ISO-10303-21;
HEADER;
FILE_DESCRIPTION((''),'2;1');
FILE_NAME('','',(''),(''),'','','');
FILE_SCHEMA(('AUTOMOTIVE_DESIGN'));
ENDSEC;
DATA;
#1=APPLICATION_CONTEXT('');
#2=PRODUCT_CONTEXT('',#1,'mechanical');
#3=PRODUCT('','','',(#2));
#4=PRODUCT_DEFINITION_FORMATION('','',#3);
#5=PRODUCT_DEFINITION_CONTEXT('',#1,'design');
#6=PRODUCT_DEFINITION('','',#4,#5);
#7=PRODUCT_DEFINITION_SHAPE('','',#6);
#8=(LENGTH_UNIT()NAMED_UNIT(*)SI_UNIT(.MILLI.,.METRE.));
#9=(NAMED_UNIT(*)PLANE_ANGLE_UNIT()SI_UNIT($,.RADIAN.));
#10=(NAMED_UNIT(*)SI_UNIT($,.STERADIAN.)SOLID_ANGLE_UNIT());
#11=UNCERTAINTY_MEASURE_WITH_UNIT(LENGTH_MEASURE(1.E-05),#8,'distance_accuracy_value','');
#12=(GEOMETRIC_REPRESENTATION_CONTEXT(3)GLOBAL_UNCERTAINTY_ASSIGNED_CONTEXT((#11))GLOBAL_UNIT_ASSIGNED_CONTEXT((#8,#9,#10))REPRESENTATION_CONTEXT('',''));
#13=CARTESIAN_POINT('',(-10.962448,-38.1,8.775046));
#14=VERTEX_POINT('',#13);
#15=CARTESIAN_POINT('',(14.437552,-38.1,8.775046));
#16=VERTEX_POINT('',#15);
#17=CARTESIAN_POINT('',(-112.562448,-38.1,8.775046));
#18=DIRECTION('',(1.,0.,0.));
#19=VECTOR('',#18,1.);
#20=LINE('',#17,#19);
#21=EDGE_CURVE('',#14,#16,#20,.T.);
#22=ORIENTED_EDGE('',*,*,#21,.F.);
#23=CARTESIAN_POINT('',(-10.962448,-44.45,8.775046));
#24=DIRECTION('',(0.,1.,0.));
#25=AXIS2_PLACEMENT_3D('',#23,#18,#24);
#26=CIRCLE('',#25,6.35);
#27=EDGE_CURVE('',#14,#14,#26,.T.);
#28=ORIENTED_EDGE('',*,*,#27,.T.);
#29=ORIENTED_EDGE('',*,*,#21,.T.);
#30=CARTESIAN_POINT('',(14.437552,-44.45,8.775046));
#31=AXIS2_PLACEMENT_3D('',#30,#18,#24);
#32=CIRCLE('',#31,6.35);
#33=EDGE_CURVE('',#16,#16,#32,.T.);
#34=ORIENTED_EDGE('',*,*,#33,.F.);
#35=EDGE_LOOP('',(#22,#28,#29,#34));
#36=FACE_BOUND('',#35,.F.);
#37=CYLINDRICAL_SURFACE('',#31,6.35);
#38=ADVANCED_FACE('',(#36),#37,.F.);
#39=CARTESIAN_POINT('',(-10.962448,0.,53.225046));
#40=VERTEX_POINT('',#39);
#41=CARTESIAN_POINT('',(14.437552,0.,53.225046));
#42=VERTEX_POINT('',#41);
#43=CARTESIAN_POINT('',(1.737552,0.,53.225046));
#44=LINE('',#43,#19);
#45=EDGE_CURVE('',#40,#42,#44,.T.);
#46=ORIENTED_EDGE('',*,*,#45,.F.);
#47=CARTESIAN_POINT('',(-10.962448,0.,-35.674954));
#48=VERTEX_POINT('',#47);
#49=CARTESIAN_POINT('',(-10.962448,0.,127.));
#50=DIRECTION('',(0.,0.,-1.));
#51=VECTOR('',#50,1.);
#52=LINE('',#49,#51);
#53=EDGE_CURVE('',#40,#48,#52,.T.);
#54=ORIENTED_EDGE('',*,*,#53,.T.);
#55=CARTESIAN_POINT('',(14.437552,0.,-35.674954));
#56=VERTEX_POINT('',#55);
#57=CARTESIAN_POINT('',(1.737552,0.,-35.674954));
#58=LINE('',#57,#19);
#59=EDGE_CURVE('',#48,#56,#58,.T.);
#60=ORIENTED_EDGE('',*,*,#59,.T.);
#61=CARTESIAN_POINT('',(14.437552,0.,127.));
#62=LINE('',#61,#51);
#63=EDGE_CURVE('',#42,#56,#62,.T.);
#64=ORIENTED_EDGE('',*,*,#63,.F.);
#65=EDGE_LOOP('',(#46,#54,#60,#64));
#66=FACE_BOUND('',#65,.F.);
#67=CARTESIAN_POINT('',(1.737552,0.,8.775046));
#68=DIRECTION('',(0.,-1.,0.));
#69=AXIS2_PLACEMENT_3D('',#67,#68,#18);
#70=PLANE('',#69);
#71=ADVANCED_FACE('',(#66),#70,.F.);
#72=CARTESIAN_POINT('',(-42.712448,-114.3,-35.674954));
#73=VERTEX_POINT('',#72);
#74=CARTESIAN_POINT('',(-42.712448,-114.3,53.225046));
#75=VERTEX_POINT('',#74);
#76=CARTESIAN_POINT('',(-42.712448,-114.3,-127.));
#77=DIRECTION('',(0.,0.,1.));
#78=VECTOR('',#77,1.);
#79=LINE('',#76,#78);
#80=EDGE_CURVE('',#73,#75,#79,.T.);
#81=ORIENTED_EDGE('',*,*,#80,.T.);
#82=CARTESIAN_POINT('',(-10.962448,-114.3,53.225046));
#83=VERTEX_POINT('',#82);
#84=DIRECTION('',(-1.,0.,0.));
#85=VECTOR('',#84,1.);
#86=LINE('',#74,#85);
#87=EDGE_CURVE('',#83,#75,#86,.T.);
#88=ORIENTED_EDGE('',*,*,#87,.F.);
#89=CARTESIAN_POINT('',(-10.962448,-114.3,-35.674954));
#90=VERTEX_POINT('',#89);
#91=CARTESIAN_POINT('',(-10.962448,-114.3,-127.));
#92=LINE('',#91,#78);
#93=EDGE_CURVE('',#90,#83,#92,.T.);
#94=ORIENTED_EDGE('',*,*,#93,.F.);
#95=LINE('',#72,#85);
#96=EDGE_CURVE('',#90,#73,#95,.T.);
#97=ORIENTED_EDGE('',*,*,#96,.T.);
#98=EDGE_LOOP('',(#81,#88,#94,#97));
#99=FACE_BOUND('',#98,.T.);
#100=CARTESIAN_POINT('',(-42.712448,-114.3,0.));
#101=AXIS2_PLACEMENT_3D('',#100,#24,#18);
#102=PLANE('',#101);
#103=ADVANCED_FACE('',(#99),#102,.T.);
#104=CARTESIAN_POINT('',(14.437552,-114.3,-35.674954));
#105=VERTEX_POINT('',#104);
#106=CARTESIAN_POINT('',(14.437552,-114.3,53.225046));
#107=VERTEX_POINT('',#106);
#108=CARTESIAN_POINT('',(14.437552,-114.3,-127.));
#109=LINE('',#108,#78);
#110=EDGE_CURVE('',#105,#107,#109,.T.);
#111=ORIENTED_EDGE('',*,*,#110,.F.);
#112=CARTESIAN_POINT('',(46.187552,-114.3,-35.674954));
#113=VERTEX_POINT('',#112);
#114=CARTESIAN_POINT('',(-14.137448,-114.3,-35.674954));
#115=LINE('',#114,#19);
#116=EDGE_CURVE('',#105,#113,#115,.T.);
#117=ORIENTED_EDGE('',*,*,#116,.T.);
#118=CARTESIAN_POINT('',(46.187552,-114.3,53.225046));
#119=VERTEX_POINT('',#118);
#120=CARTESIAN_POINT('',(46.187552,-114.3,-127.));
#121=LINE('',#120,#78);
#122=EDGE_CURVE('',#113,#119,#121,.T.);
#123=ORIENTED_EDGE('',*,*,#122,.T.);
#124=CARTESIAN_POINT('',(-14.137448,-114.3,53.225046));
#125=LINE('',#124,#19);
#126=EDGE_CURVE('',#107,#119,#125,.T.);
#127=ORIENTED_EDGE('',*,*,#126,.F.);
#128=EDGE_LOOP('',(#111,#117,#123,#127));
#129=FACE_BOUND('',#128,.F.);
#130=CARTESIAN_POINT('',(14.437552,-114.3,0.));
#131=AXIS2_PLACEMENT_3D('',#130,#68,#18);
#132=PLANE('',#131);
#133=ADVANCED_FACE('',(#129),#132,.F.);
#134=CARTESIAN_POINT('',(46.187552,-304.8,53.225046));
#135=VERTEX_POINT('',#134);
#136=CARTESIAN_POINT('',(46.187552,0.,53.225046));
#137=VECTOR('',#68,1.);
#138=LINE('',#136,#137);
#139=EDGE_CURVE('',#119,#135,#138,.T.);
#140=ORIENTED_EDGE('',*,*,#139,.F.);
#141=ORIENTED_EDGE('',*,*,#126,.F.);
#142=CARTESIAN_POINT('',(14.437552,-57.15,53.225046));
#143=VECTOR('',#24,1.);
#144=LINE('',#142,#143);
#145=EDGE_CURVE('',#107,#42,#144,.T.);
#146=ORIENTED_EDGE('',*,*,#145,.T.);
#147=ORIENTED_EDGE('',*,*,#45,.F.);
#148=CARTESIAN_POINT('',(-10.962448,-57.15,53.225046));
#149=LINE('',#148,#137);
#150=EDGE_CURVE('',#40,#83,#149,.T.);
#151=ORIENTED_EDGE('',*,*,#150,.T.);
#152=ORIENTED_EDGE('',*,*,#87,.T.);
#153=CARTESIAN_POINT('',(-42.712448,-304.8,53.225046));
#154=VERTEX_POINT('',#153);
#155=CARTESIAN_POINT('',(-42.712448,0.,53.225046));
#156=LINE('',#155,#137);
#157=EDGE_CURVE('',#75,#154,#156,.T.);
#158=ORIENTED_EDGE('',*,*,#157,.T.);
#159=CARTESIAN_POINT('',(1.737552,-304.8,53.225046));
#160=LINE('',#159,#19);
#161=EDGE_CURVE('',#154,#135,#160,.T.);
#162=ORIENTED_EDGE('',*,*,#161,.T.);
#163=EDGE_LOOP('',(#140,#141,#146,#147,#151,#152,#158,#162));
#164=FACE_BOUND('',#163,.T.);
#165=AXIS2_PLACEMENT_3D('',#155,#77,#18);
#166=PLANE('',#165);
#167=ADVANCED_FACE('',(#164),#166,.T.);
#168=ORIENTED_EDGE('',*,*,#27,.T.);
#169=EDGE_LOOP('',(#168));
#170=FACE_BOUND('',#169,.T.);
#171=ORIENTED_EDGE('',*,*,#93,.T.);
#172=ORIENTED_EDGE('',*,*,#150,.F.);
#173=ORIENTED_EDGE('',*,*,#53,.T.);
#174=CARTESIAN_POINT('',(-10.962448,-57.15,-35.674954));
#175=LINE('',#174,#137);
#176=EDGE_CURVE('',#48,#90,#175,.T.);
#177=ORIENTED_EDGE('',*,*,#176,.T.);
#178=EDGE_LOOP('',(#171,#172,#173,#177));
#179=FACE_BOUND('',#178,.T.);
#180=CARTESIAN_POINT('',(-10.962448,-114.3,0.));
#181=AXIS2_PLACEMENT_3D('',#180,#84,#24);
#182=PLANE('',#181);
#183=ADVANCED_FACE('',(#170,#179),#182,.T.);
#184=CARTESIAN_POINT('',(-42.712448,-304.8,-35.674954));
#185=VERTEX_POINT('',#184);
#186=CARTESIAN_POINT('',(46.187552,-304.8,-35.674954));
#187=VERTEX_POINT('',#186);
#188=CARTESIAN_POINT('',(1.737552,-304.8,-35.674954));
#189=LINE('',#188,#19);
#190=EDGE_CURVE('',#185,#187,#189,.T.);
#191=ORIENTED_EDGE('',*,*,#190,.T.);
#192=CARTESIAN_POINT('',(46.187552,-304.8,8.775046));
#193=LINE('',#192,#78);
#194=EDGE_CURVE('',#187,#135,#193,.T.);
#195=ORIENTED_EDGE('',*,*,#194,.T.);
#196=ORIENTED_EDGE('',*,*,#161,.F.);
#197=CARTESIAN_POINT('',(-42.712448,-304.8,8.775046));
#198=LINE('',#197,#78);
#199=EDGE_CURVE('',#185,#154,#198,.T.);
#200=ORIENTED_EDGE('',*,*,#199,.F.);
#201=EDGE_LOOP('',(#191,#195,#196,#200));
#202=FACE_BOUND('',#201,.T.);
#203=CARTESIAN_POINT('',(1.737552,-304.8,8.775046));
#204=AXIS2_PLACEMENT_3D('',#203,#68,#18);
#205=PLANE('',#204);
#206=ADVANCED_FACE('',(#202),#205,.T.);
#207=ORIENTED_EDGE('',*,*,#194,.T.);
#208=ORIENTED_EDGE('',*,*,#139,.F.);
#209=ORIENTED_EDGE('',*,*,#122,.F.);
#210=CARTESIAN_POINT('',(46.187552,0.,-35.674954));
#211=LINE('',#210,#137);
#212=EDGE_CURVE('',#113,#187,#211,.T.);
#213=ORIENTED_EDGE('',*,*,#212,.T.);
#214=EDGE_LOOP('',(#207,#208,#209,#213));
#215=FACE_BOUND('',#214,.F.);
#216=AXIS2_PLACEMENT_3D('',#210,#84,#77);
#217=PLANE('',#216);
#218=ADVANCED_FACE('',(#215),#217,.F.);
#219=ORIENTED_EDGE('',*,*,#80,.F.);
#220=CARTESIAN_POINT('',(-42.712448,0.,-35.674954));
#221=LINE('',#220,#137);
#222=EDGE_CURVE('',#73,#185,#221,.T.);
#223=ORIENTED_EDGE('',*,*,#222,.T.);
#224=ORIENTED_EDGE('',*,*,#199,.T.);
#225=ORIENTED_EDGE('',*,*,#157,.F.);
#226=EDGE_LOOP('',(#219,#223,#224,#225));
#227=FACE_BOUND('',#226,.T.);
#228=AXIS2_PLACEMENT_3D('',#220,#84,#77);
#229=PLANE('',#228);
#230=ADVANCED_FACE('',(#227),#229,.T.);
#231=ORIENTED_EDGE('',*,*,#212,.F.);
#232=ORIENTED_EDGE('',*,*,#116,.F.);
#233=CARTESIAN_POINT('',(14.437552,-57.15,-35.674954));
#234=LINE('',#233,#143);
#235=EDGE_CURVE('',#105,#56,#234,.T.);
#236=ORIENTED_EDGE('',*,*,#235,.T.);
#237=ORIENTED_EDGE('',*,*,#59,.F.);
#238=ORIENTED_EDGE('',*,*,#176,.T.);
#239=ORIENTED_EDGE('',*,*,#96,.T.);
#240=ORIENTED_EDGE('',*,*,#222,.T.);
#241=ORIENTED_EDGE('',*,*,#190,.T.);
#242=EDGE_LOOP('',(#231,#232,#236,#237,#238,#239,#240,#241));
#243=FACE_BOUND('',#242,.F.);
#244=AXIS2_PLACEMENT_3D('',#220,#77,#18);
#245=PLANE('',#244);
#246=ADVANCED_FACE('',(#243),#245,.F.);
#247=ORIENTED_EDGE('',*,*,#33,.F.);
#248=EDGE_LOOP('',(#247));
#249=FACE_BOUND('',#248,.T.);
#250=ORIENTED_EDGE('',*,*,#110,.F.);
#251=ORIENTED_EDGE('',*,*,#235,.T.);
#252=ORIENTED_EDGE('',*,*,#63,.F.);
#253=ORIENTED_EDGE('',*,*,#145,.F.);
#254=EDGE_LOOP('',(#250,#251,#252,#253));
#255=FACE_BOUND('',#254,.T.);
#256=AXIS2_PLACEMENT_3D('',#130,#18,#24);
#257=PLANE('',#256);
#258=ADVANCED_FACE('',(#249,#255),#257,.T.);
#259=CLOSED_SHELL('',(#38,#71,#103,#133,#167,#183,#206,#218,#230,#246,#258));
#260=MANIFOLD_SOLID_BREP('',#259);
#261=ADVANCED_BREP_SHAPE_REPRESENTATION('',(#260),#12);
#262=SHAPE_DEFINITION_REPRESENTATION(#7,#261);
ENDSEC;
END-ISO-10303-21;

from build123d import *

# Parameters (mm, degrees)
F0_W     = 88.9
F0_H     = 88.9
F1_DEPTH = 304.8
F2_W     = 31.75
F2_H     = 114.3
F3_DEPTH = 127
F4_R     = 6.35
F5_DEPTH = 127


with BuildPart() as f1:
    # F0 (on Front) → F1 (new body)
    with BuildSketch(Plane.XZ):
        with Locations((1.7375517637, 8.7750459692)):
            Rectangle(F0_W, F0_H)
    extrude(amount=F1_DEPTH)

    # F2 (on Top) → F3 (cut, symmetric)
    with BuildSketch(Plane.XY):
        with Locations((-26.8374482363, -57.15)):
            Rectangle(F2_W, F2_H)
        with Locations((30.3125517637, -57.15)):
            Rectangle(F2_W, F2_H)
    extrude(amount=F3_DEPTH, both=True, mode=Mode.SUBTRACT)

    # F4 (on face) → F5 (cut, symmetric)
    with BuildSketch(Plane.YZ.offset(14.4375517637)):
        with Locations((-44.45, 8.7750459692)):
            Circle(F4_R)
    extrude(amount=F5_DEPTH, both=True, mode=Mode.SUBTRACT)


solid = f1.part
